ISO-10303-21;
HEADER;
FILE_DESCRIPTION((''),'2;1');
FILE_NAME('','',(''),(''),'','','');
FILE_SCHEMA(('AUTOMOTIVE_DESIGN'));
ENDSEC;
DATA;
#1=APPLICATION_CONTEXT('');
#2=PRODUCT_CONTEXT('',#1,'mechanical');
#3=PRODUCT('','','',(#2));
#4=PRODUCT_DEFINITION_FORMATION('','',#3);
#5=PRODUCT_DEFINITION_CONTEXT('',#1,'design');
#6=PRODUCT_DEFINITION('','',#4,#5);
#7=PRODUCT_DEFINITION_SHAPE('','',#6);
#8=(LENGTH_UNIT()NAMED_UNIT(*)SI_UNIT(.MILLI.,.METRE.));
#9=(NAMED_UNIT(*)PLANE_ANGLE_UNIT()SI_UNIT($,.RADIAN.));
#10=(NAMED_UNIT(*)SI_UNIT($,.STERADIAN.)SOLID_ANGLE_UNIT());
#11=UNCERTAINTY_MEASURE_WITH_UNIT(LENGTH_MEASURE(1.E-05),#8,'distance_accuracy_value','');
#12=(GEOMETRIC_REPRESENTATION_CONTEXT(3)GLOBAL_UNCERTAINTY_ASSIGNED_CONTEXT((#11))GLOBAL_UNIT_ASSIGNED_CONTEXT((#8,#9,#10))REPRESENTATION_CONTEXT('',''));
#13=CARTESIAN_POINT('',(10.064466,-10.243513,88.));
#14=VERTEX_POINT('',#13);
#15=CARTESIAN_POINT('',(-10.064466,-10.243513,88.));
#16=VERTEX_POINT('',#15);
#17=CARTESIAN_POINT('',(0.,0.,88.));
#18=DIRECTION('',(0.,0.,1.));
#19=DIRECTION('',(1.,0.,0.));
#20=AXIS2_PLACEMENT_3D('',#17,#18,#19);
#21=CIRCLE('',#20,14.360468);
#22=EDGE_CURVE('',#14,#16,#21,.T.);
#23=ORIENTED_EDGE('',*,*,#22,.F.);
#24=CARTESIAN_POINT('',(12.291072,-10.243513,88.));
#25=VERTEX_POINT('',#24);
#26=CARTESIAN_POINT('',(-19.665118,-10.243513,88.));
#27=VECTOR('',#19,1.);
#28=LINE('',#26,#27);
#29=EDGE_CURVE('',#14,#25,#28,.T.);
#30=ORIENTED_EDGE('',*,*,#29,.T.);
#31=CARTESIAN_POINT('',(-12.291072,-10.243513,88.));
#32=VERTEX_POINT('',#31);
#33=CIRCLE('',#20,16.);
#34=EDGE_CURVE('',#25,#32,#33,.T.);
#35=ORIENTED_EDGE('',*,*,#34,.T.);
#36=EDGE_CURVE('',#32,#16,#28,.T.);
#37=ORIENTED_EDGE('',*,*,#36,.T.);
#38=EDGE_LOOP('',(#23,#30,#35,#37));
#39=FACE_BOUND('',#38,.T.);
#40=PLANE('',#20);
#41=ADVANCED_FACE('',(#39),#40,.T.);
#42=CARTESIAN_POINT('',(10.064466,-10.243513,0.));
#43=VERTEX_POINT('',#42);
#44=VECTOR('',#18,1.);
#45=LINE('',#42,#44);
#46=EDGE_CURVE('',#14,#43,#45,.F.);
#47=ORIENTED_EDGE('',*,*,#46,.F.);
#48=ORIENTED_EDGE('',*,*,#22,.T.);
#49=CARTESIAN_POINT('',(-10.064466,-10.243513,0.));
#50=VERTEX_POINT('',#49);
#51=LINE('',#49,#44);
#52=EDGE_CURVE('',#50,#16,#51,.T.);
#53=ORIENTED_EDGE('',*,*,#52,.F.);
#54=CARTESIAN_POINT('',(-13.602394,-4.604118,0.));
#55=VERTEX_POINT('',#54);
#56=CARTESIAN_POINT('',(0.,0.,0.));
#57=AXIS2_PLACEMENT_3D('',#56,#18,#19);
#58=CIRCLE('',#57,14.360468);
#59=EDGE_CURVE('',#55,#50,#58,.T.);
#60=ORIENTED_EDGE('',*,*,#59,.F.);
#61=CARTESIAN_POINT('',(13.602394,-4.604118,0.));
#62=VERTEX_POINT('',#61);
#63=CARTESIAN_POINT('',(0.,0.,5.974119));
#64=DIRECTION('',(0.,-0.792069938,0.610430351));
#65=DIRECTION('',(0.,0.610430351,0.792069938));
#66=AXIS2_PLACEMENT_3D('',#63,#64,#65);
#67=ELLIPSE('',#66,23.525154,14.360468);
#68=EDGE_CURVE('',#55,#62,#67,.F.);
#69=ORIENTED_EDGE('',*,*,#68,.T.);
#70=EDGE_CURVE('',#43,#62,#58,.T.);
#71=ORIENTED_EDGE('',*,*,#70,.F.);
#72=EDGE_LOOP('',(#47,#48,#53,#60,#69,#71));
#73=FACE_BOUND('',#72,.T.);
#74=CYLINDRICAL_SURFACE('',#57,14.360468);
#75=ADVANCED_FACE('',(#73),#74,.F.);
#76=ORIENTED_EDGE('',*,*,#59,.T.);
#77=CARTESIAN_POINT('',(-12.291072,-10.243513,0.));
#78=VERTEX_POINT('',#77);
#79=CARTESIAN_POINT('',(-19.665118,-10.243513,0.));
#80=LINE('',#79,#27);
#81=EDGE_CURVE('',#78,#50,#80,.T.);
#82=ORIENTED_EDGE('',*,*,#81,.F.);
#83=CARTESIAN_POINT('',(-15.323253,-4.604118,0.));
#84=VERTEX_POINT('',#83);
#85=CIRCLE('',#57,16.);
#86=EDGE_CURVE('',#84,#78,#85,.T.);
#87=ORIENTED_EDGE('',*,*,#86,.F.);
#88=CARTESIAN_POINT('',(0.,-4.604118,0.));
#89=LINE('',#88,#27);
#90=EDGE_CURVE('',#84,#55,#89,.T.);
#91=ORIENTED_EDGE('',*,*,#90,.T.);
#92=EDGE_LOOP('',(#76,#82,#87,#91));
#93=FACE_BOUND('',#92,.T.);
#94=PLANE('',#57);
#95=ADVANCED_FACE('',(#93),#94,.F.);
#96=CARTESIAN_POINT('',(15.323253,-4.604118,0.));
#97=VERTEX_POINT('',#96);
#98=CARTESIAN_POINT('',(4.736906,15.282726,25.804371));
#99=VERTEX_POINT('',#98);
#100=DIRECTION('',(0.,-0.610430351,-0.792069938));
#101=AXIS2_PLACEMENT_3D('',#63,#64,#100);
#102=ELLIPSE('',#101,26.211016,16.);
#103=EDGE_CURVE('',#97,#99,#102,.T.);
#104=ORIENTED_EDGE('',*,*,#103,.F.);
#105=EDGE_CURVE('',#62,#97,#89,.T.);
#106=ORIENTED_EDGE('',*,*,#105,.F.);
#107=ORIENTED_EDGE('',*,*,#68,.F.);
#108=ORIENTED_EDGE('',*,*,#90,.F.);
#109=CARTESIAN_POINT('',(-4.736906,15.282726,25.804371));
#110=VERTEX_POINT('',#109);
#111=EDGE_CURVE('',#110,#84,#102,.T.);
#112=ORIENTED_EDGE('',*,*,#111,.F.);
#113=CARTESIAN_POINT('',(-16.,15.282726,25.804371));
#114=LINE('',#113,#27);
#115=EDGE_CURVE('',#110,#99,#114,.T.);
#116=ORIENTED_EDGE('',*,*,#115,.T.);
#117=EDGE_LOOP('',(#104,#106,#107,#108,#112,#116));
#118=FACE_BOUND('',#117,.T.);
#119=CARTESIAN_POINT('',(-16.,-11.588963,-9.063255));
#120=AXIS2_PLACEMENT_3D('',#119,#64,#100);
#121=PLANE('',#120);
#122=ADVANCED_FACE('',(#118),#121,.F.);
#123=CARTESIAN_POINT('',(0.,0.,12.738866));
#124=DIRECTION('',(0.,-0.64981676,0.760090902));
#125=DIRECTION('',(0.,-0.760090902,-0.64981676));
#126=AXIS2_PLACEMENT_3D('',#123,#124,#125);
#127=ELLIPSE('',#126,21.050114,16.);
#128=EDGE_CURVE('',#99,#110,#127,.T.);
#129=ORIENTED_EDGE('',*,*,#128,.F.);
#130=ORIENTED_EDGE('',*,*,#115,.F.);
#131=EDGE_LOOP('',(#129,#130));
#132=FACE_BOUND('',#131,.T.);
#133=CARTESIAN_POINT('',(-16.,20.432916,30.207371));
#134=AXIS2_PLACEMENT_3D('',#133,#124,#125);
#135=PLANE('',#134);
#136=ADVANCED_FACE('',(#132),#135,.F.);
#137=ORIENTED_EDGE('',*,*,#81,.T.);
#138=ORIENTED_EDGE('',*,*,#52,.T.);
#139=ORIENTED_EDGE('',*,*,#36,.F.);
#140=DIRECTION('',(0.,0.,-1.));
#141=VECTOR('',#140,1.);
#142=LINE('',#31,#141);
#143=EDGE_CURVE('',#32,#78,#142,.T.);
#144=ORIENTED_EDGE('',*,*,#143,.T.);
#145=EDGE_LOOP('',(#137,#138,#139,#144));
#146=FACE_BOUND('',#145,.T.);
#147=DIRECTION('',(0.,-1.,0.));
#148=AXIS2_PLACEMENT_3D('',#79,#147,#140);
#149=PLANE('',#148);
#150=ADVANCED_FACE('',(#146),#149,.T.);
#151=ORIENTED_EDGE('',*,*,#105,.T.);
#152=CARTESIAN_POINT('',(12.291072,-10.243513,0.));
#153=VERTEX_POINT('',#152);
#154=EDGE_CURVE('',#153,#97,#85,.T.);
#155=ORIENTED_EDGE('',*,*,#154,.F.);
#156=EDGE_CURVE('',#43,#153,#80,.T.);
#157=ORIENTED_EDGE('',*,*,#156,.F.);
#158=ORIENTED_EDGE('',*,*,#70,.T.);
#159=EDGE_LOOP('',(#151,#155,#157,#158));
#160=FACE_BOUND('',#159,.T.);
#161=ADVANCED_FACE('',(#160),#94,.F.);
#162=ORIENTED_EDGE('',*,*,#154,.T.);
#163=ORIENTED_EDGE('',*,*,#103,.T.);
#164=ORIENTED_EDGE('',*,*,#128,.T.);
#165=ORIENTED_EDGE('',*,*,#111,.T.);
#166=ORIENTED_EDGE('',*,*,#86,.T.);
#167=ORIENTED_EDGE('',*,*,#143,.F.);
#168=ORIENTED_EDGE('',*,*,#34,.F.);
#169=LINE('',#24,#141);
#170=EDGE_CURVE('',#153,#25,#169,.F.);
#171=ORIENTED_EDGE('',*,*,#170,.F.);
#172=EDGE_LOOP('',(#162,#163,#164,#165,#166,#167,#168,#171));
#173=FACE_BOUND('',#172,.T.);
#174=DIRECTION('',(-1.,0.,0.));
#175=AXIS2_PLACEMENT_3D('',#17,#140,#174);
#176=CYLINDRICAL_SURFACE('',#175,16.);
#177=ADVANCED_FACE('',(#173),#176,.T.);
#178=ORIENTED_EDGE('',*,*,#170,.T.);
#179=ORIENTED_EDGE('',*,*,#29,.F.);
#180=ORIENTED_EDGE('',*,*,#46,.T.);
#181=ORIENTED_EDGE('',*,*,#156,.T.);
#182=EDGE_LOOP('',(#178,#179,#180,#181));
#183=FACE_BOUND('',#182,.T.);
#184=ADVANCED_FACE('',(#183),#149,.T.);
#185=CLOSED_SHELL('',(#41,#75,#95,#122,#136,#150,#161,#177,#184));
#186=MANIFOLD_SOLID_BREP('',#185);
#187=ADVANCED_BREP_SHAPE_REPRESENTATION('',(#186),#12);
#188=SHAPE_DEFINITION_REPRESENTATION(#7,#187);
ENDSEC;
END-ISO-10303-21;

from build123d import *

# Parameters (mm, degrees)
SKETCH1_R               = 16
BOSS_EXTRUDE1_DEPTH     = 88
SKETCH2_R               = 14.360467733
CUT_EXTRUDE1_DEPTH      = 88
SKETCH3_W               = 41.504964389
SKETCH3_H               = 7.516490838
CUT_EXTRUDE2_DEPTH      = 88
CUT_EXTRUDE3_DEPTH      = 91.862533533
CUT_EXTRUDE3_DEPTH_BACK = 91.862533533


with BuildPart() as part:
    # Sketch1 → Boss-Extrude1 (new body)
    with BuildSketch(Plane.XY):
        Circle(SKETCH1_R)
    extrude(amount=BOSS_EXTRUDE1_DEPTH)

    # Sketch2 → Cut-Extrude1 (cut)
    with BuildSketch(Plane.XY.offset(88)):
        Circle(SKETCH2_R)
    extrude(amount=-CUT_EXTRUDE1_DEPTH, mode=Mode.SUBTRACT)

    # Sketch3 → Cut-Extrude2 (cut)
    with BuildSketch(Plane.XY.offset(88)):
        with Locations((1.087364542, -14.00175825)):
            Rectangle(SKETCH3_W, SKETCH3_H)
    extrude(amount=-CUT_EXTRUDE2_DEPTH, mode=Mode.SUBTRACT)

    # Sketch4 → Cut-Extrude3 (cut, two sides: drawn at the far end of the back side and taken through both)
    with BuildSketch(Plane(origin=(0, 0, 0), x_dir=(0, 0, -1), z_dir=(1, 0, 0)).offset(-CUT_EXTRUDE3_DEPTH_BACK)):
        Polygon((9.063254849, -11.588963216), (-25.804371383, 15.282726161), (-30.207370546, 20.432915897), (5.089153987, 19.311664184), align=None)
    extrude(amount=CUT_EXTRUDE3_DEPTH + CUT_EXTRUDE3_DEPTH_BACK, mode=Mode.SUBTRACT)


solid = part.part
